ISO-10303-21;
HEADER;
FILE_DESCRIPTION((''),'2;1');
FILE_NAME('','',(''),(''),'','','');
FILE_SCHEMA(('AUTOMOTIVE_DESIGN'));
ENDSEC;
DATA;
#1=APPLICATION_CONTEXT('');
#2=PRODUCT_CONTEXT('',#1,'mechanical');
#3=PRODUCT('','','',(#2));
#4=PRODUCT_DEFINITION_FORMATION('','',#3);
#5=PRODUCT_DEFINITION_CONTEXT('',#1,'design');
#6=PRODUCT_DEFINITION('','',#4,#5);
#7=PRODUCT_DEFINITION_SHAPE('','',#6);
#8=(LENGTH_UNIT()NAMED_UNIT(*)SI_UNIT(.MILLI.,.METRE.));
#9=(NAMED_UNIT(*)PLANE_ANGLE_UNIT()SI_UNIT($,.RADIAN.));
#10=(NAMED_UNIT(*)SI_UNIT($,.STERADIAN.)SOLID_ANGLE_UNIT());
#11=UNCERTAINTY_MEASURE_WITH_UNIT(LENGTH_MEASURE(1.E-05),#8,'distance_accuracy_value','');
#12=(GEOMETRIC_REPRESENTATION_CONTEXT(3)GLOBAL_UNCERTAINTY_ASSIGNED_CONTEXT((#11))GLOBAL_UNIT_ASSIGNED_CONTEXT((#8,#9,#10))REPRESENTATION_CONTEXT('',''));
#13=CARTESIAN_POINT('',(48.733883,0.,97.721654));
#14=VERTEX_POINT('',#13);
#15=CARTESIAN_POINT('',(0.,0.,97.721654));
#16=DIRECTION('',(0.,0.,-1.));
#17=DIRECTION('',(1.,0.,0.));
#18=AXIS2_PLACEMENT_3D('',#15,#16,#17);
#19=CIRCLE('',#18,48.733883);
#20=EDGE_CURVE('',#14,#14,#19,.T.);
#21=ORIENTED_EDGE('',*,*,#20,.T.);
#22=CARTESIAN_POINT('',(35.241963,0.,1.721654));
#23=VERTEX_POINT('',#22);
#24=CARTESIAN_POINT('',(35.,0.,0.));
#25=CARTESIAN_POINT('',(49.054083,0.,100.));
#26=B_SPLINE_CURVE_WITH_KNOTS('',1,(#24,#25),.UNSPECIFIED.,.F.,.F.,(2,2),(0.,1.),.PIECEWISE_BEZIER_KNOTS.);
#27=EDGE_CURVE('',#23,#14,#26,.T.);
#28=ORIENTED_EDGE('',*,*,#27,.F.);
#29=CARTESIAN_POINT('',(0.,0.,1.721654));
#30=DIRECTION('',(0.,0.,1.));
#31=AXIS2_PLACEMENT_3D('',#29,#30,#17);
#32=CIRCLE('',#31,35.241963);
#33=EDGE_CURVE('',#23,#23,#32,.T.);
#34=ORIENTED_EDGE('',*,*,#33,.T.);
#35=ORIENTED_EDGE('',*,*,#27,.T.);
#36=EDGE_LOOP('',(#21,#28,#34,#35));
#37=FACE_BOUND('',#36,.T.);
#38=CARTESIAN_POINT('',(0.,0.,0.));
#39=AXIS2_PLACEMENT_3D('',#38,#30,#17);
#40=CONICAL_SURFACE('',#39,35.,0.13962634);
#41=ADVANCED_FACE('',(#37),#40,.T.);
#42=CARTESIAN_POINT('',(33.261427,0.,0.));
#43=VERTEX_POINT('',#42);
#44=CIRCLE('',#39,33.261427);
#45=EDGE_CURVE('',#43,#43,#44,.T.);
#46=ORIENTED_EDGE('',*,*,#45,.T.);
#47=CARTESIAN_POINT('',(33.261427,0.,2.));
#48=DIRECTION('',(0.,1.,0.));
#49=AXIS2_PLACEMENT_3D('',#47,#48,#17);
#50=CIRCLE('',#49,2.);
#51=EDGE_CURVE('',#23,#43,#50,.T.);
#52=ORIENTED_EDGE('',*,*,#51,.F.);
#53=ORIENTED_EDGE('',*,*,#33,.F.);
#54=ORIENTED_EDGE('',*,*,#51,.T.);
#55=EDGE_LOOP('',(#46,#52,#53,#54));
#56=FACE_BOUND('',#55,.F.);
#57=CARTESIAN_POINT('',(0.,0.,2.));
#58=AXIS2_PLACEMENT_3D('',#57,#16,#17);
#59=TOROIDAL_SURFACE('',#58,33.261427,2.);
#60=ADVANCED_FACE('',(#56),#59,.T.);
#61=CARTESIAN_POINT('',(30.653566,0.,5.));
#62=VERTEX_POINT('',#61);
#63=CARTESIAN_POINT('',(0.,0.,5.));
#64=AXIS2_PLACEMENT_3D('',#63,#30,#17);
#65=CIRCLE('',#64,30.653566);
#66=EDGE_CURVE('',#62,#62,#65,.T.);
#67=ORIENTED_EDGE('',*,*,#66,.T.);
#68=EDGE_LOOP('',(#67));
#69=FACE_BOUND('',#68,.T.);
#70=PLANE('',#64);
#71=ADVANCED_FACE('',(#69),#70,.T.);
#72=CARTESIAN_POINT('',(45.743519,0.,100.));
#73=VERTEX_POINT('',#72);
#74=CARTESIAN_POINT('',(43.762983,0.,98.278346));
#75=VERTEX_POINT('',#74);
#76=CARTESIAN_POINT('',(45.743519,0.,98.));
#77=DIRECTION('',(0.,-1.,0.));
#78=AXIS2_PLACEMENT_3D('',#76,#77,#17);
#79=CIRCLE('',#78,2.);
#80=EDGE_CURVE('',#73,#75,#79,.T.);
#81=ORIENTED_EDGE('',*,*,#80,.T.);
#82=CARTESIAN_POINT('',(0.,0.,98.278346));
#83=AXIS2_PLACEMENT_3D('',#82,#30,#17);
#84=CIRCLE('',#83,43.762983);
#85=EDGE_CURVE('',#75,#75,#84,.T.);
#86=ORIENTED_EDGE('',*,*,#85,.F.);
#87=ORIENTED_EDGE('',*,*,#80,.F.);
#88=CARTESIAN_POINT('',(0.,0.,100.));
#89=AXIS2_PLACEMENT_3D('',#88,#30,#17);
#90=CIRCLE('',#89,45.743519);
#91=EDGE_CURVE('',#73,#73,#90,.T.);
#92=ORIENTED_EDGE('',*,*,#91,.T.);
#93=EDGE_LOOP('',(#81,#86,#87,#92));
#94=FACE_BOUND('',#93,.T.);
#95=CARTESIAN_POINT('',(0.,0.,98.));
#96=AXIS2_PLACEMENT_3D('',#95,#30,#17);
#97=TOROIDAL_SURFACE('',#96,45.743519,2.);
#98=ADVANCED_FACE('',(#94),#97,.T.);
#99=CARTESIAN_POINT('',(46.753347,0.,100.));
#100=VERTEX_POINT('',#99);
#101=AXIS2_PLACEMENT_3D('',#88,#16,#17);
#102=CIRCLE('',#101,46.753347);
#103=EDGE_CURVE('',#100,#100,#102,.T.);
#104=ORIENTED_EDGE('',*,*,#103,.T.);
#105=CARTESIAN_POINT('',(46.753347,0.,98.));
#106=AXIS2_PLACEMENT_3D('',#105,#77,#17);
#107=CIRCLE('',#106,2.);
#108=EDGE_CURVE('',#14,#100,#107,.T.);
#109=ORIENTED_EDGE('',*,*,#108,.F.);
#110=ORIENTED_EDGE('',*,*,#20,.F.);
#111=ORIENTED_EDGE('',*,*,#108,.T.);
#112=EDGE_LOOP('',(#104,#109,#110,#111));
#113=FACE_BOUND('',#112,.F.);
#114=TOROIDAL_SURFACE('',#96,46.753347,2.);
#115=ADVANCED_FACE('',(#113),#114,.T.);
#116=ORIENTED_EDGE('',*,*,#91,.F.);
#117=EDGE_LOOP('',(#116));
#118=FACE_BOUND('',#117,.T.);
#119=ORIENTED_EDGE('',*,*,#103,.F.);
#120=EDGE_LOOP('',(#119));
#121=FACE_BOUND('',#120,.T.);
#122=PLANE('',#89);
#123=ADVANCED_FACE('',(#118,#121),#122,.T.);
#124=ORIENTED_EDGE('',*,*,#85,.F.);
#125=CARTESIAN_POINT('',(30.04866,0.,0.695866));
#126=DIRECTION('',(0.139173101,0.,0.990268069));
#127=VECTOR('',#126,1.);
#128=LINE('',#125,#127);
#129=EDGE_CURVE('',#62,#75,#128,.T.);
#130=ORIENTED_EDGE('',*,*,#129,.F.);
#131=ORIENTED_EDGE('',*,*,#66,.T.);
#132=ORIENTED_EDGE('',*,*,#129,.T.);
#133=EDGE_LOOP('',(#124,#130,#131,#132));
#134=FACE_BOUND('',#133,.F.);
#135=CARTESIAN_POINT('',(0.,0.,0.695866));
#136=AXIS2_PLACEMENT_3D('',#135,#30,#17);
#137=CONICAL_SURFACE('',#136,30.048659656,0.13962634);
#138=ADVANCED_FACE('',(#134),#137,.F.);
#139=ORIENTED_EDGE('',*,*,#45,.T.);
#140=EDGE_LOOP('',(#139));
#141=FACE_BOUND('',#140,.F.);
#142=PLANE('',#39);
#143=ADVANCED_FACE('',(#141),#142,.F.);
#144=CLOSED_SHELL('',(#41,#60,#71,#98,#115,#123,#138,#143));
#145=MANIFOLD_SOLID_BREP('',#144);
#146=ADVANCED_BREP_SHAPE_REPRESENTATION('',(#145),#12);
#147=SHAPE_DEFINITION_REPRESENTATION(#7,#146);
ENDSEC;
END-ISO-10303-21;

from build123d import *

# Parameters (mm, degrees)
F0_R     = 35
F1_DEPTH = 100
F1_TAPER = -8
F2_T     = -5
F3_R     = 2


with BuildPart() as f1:
    # F0 (on Top) → F1 (new body)
    with BuildSketch(Plane.XY):
        Circle(F0_R)
    extrude(amount=F1_DEPTH, taper=F1_TAPER)

    # F2
    f2_openings = [f1.faces().sort_by_distance(p)[0] for p in [
        (0, 0, 100),
    ]]
    offset(amount=F2_T, openings=f2_openings, kind=Kind.INTERSECTION)

    # F3
    f3_edges = [f1.edges().sort_by_distance(p)[0] for p in [
        (-49.054083, 0, 100),
        (-44.004946, 0, 100),
        (-35, 0, 0),
    ]]
    fillet(f3_edges, radius=F3_R)


solid = f1.part
